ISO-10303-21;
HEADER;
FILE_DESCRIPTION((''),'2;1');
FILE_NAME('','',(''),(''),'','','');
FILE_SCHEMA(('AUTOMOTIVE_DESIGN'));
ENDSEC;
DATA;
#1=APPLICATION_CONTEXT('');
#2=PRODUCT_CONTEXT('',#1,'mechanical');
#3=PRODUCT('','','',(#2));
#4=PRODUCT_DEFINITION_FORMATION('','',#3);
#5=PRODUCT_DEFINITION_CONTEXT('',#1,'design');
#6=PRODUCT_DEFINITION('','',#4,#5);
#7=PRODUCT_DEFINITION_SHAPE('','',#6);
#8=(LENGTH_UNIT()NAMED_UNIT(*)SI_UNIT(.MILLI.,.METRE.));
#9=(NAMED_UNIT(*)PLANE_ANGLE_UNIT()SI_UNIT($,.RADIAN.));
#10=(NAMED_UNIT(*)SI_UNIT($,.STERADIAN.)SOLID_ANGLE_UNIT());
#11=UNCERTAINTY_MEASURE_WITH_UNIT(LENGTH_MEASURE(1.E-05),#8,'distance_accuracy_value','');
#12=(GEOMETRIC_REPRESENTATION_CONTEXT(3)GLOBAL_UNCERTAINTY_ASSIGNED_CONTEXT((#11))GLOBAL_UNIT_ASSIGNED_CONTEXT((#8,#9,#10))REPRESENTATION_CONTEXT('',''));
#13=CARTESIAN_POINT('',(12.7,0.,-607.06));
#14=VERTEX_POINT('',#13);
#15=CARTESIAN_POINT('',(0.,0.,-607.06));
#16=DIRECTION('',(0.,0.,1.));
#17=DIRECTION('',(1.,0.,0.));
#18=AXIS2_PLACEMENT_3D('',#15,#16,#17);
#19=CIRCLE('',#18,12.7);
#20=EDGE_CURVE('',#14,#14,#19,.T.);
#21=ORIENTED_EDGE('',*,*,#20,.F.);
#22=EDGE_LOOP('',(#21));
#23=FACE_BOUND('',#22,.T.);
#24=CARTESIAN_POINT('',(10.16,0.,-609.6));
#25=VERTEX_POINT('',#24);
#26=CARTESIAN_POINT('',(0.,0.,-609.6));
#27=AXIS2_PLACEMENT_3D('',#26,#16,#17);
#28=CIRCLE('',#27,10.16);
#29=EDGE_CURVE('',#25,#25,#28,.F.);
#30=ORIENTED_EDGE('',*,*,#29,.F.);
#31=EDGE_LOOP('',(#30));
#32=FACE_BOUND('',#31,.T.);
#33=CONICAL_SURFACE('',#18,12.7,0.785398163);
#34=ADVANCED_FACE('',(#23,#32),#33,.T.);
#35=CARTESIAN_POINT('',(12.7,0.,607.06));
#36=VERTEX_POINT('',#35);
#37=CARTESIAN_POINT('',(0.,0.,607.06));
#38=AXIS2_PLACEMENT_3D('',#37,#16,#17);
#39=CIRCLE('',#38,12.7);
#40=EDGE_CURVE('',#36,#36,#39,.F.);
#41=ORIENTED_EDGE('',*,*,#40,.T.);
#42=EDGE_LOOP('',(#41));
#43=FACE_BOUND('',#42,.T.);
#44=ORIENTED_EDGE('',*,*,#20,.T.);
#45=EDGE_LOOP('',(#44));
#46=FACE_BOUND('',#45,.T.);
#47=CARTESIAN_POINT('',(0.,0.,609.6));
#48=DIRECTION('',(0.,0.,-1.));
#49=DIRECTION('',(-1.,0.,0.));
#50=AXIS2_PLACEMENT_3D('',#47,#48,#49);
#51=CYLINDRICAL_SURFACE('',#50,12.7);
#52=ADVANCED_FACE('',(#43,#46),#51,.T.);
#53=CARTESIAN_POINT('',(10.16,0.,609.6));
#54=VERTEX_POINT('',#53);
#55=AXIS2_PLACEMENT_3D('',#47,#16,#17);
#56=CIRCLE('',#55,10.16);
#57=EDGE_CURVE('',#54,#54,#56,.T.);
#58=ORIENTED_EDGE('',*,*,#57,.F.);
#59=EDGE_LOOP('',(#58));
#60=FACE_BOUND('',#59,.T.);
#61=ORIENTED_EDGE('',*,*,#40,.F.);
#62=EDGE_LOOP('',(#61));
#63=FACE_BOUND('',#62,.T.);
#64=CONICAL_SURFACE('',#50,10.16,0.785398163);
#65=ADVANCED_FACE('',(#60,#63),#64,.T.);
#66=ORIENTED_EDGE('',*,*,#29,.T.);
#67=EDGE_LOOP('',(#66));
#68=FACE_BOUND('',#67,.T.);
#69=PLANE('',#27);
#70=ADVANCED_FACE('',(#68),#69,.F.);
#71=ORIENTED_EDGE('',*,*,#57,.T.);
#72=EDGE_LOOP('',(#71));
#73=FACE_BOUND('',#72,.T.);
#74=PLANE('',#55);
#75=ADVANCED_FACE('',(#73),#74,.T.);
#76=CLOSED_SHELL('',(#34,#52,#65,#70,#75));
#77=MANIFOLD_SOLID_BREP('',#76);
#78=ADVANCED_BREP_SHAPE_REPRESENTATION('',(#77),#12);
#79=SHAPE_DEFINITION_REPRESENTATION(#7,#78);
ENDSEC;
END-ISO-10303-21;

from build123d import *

# Parameters (mm, degrees)
SKETCH3_R           = 12.7
BOSS_EXTRUDE1_DEPTH = 609.6
CHAMFER1_SIZE       = 2.54


with BuildPart() as part:
    # Sketch3 → Boss-Extrude1 (new body, symmetric)
    with BuildSketch(Plane.XY):
        Circle(SKETCH3_R)
    extrude(amount=BOSS_EXTRUDE1_DEPTH, both=True)

    # Chamfer1
    chamfer1_edges = [part.edges().sort_by_distance(p)[0] for p in [
        (-12.7, 0, -609.6),
        (-12.7, 0, 609.6),
    ]]
    chamfer(chamfer1_edges, length=CHAMFER1_SIZE)


solid = part.part
